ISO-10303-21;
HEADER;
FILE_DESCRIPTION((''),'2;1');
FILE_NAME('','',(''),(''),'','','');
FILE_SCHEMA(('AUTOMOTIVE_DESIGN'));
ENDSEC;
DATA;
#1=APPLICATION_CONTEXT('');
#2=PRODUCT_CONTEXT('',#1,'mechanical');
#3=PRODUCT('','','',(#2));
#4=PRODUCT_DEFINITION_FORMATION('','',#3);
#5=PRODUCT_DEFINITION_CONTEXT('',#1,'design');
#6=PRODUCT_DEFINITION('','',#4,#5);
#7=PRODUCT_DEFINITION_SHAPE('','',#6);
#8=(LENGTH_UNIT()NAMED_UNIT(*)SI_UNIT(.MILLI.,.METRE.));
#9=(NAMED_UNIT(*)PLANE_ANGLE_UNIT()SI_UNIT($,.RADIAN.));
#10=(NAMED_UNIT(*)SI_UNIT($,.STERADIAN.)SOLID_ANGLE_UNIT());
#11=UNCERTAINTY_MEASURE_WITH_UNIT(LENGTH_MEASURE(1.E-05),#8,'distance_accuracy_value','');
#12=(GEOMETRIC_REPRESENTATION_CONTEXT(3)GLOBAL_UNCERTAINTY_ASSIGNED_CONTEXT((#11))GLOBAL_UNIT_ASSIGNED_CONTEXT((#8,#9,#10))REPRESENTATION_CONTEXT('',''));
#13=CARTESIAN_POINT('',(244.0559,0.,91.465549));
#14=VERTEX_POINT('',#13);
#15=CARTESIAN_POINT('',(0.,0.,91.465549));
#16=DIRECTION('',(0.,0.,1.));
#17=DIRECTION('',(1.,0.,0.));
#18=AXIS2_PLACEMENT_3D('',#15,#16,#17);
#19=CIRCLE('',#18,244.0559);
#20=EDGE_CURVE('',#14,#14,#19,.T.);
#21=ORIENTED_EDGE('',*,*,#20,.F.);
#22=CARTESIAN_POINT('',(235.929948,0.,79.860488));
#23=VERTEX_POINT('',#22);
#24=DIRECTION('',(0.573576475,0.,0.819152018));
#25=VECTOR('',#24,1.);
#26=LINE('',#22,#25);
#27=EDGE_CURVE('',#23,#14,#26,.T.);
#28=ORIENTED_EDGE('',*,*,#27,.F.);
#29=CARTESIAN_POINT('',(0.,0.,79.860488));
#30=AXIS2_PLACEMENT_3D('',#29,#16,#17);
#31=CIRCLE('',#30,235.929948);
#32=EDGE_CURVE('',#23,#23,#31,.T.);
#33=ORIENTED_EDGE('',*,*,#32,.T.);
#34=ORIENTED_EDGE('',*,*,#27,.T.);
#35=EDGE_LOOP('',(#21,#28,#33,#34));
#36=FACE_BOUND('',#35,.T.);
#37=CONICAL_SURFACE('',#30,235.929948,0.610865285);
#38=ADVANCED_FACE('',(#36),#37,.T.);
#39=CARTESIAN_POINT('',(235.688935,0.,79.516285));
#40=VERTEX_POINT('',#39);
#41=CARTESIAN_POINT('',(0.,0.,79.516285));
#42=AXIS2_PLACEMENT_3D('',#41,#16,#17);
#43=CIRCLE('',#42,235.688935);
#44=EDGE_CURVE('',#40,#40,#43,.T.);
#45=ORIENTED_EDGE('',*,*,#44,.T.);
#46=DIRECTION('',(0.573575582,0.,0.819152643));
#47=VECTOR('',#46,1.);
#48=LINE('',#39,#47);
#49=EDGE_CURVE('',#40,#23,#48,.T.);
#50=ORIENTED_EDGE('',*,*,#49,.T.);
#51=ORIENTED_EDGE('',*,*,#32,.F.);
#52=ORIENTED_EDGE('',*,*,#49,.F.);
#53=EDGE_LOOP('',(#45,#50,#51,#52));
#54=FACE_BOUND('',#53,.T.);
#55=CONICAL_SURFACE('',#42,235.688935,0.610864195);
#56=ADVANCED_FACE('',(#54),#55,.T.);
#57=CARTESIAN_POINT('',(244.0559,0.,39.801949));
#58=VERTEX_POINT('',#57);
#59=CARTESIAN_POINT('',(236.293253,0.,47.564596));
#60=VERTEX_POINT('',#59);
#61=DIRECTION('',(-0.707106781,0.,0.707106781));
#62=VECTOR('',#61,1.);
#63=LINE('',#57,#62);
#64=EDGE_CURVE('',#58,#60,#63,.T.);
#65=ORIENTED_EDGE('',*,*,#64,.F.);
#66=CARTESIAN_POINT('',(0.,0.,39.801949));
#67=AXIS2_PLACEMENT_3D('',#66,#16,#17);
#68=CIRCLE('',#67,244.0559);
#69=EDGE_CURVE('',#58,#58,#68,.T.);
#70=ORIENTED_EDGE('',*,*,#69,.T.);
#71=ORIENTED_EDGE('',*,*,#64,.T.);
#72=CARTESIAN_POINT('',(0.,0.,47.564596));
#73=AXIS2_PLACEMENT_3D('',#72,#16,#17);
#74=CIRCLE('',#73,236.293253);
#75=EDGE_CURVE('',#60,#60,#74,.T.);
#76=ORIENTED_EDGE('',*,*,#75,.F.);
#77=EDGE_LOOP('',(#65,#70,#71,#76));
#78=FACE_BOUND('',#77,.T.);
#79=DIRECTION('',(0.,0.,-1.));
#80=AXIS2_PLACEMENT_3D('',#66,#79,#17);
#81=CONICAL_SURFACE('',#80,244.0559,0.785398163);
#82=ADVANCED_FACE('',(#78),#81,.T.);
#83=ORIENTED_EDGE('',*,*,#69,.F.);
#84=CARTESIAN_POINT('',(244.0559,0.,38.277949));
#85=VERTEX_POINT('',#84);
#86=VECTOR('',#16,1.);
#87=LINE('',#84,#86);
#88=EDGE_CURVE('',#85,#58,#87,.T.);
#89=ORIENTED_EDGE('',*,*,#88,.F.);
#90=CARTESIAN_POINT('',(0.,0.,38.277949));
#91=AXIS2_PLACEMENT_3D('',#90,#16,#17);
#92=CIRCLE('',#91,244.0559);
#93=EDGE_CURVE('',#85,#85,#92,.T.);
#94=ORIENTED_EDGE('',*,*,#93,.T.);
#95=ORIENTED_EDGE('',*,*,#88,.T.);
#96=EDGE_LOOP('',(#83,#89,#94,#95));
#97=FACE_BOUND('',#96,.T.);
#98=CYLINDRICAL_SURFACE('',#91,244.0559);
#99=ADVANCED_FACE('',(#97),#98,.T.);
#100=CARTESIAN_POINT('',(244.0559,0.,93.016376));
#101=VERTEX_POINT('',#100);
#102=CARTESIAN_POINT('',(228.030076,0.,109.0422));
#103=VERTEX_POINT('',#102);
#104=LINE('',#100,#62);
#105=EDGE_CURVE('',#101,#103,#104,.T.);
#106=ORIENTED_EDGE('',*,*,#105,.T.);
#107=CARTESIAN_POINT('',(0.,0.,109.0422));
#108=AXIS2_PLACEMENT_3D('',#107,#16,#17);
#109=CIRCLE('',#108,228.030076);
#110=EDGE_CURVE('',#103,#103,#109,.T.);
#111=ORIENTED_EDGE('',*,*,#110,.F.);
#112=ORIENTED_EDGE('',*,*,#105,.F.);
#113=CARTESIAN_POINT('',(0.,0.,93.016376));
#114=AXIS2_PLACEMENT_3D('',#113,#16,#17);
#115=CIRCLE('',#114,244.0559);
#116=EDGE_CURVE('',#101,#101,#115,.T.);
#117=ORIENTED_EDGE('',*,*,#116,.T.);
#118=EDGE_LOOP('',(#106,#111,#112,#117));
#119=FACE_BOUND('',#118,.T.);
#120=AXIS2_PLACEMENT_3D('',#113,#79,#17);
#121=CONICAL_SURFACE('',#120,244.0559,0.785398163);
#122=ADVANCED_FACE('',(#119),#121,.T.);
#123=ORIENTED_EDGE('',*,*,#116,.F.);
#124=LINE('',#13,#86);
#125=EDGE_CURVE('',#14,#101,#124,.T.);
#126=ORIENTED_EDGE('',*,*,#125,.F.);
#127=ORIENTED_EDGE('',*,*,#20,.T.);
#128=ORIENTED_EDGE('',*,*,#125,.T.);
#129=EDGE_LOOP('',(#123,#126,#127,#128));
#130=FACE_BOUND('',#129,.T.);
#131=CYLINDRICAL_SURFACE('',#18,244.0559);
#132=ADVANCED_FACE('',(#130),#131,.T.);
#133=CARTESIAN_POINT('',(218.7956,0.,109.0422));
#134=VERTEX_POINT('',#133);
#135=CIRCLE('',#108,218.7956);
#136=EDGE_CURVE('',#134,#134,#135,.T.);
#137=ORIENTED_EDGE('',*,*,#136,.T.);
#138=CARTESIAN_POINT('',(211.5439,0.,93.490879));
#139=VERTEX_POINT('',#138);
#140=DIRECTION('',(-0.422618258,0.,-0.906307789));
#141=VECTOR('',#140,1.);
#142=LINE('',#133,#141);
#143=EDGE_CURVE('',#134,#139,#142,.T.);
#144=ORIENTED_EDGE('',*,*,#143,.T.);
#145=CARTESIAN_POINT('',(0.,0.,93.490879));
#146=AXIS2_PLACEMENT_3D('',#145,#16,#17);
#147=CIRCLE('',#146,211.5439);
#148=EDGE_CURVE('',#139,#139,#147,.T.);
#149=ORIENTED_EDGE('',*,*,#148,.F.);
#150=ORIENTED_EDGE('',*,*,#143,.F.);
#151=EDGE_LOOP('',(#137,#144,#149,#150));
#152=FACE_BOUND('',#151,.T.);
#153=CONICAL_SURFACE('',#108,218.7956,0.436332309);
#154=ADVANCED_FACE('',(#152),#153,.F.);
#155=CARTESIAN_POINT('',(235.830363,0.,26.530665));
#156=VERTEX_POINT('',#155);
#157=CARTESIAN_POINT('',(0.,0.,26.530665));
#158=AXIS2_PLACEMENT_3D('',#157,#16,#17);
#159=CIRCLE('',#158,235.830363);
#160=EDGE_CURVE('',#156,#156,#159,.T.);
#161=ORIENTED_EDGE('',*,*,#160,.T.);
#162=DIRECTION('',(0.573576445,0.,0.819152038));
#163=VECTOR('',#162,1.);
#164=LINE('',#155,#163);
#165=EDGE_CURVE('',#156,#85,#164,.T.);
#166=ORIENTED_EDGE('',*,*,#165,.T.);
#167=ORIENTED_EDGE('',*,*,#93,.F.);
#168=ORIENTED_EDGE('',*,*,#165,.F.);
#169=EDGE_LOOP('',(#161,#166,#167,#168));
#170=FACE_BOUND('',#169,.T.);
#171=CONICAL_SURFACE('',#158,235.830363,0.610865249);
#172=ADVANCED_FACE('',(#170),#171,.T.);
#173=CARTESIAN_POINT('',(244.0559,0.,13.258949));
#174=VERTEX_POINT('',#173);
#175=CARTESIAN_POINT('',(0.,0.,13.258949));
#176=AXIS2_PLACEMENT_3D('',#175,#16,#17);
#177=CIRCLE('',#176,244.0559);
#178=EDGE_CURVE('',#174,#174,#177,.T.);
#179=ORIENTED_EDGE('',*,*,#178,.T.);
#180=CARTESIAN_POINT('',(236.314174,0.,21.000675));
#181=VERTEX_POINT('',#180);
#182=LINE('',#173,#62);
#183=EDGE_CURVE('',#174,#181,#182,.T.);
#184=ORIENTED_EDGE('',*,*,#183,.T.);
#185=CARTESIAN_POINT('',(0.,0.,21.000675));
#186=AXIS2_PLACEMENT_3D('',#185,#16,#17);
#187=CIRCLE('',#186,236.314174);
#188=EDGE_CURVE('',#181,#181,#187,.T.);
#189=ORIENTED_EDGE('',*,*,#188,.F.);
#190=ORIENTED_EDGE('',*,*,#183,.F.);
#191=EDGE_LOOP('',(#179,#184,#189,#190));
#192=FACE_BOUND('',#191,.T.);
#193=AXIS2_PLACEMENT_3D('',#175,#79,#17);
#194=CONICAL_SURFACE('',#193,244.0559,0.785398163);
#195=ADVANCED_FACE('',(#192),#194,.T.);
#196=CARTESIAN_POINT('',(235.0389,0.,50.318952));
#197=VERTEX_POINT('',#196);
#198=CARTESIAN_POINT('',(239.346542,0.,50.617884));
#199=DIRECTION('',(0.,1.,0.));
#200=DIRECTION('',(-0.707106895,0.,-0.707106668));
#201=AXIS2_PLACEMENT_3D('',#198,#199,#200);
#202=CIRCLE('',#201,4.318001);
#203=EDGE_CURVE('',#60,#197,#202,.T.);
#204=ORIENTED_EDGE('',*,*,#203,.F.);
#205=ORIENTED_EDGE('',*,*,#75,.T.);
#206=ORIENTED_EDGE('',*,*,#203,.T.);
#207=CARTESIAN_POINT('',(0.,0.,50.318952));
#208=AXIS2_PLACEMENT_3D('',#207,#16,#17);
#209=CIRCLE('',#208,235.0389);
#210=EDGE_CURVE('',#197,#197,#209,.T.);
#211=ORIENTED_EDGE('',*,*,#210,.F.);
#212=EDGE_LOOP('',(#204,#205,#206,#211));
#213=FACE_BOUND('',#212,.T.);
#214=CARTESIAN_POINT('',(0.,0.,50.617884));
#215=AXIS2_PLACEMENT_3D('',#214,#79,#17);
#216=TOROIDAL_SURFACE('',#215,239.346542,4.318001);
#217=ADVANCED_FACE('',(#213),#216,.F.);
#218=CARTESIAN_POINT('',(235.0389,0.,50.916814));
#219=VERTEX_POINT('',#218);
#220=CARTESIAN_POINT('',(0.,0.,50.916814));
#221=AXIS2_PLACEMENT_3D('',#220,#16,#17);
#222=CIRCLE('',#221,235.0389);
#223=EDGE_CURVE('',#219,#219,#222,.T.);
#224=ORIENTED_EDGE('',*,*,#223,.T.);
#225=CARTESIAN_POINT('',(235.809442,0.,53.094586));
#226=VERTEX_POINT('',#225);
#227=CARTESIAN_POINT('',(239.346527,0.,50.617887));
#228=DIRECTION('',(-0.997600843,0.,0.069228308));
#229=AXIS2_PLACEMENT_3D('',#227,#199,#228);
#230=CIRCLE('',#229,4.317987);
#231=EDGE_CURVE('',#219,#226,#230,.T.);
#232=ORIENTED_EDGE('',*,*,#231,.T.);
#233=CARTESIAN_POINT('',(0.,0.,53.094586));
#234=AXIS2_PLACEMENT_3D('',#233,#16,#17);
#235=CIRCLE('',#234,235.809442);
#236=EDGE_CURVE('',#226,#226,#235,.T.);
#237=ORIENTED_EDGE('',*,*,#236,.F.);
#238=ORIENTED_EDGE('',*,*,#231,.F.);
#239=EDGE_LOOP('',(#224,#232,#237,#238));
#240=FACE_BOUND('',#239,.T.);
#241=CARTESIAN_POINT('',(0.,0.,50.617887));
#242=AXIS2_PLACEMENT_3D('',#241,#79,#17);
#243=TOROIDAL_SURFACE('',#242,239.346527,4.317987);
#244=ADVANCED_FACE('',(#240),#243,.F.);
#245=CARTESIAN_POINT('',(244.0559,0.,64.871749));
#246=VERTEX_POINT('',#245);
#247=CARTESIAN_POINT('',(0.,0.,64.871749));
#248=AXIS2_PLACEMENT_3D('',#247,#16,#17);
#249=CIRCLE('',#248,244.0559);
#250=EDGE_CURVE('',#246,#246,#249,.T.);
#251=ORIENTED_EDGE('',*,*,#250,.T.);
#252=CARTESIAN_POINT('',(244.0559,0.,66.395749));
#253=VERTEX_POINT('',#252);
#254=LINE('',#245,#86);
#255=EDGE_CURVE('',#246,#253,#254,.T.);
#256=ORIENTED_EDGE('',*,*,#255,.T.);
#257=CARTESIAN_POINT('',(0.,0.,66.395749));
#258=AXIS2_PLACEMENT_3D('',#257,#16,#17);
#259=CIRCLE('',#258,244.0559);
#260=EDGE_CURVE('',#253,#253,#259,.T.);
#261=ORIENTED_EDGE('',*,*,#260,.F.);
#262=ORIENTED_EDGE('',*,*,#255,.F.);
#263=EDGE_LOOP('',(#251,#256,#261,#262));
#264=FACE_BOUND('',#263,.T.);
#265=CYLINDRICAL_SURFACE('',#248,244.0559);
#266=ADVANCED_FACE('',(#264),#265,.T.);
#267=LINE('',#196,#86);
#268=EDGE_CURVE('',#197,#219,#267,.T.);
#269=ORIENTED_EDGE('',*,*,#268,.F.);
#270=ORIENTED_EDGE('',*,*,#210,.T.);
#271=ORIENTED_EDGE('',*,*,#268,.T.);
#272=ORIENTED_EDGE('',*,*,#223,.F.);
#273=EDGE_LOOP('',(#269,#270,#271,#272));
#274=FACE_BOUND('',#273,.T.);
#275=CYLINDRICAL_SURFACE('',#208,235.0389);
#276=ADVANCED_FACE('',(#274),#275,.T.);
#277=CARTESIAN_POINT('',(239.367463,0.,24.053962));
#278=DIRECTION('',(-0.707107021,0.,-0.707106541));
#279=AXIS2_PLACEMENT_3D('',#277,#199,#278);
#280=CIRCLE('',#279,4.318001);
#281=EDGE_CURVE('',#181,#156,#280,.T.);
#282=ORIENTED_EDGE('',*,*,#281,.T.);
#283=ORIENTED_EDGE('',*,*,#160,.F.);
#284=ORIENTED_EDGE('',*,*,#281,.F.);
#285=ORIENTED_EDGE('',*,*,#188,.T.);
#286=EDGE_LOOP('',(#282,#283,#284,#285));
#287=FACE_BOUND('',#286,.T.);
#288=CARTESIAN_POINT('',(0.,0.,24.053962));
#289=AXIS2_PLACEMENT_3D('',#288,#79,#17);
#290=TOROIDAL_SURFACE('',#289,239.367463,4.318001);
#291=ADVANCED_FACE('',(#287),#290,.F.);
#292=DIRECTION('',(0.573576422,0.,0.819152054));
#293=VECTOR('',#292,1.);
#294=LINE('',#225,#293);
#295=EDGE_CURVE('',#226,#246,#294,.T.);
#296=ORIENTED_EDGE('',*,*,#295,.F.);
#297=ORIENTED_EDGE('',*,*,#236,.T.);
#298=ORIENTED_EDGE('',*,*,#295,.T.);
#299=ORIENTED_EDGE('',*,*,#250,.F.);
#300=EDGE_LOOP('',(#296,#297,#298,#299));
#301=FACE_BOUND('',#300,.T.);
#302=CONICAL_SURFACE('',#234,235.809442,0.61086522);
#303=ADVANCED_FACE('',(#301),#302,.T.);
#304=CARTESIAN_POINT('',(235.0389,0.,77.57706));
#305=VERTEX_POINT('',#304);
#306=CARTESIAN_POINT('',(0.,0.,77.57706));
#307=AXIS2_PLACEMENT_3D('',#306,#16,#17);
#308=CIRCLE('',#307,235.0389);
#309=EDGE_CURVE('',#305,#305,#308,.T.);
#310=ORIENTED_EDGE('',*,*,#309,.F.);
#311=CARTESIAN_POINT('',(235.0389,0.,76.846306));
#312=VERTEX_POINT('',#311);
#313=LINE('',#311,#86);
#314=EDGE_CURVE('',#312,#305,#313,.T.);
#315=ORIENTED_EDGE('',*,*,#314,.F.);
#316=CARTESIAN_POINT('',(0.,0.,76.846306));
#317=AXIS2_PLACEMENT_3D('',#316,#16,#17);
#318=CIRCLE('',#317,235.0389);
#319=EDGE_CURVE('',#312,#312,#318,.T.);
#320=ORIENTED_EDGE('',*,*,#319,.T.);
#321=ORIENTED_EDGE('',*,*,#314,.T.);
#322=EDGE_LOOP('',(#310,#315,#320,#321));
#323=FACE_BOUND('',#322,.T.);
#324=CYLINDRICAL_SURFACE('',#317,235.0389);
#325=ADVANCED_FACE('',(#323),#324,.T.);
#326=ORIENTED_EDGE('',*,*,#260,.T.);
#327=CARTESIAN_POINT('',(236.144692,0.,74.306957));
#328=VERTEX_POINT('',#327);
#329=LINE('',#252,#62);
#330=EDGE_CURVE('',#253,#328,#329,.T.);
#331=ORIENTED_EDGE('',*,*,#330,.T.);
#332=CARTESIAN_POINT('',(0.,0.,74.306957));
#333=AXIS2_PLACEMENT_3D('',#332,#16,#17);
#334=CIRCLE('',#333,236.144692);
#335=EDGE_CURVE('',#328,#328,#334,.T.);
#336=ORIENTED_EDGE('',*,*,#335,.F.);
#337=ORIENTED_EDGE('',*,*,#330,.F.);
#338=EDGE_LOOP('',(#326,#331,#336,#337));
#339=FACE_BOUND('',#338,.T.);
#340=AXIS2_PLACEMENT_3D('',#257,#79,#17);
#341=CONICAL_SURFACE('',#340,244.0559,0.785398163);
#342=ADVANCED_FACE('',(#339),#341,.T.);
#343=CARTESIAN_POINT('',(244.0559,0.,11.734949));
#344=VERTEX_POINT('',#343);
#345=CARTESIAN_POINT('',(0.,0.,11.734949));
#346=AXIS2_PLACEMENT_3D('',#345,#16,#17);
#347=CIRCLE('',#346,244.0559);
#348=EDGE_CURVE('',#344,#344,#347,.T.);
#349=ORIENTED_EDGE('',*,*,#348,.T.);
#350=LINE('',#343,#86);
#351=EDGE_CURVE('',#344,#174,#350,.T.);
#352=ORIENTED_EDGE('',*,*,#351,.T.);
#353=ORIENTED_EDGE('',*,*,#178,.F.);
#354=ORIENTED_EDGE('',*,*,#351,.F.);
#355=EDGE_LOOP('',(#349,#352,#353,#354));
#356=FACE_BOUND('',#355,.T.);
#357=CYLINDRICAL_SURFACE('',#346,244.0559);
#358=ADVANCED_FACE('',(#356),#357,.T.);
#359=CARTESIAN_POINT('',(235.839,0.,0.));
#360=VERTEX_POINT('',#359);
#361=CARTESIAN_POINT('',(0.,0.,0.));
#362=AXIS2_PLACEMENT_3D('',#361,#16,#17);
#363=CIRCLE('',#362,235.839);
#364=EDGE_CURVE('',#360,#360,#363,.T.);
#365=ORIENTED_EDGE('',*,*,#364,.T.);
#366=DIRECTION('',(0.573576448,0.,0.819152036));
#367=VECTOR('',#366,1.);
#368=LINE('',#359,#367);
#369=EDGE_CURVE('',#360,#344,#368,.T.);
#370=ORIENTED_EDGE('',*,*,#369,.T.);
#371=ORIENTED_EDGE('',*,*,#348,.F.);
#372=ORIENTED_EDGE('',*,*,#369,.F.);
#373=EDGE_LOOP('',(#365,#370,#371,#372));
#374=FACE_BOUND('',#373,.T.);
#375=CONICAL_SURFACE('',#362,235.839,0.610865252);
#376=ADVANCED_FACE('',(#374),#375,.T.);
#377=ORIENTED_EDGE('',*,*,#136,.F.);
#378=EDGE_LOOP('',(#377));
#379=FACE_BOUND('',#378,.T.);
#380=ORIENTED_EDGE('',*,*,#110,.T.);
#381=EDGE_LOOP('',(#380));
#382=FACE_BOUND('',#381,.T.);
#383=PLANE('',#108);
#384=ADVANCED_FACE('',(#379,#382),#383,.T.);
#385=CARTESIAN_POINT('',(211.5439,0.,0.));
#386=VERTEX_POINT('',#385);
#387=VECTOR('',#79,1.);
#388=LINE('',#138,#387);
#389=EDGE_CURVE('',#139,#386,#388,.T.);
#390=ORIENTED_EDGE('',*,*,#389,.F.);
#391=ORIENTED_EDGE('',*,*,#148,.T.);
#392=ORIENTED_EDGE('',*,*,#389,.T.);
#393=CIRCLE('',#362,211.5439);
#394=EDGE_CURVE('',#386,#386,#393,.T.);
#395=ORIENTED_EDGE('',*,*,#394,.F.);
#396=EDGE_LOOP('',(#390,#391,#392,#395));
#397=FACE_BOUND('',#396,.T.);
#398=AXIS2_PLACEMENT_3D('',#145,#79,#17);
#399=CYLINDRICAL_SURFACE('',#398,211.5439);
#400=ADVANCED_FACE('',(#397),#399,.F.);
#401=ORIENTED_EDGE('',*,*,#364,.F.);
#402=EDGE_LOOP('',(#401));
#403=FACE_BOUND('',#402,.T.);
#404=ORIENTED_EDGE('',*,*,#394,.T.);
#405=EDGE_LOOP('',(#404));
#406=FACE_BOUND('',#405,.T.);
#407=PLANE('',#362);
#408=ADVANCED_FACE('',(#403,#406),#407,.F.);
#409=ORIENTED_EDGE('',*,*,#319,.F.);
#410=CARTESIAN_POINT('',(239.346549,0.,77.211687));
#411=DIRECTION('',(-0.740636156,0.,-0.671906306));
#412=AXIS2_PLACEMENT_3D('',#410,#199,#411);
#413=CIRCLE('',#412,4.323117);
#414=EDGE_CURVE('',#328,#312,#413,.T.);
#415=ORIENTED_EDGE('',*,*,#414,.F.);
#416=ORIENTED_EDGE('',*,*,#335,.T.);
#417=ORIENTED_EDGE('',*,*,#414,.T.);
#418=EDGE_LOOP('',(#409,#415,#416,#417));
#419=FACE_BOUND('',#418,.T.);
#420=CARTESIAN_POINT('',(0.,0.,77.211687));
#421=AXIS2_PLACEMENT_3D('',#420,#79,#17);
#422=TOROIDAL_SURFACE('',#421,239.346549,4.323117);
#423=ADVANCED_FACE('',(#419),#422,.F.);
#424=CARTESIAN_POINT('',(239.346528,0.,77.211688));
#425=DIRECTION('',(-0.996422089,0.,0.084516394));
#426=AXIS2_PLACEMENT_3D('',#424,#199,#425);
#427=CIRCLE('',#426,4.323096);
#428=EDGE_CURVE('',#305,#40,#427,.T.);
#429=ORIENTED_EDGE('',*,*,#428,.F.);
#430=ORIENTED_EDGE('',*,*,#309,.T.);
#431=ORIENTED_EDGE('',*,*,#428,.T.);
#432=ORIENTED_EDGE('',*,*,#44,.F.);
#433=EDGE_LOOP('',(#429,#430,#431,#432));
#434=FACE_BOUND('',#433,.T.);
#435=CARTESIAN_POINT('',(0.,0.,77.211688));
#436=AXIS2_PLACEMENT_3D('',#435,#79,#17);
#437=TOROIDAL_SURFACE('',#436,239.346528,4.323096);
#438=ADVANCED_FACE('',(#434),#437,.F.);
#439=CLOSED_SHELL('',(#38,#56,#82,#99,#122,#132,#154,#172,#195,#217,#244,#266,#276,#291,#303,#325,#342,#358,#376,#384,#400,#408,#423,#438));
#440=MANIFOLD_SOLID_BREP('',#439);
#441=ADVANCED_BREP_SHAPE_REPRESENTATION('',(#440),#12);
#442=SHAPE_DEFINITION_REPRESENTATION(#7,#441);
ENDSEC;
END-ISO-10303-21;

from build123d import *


with BuildPart() as f1:
    # F0 (on Front) → F1 (revolve)
    with BuildSketch(Plane.XZ):
        with BuildLine():
            Line((211.5439, 93.490879), (211.5439, 0))
            Line((211.5439, 0), (235.839, 0))
            Line((235.839, 0), (244.0559, 11.734949))
            Line((244.0559, 11.734949), (244.0559, 13.258949))
            Line((244.0559, 13.258949), (236.314174, 21.000675))
            ThreePointArc((236.314174, 21.000675), (235.065893, 23.677624), (235.830363, 26.530665))
            Line((235.830363, 26.530665), (244.0559, 38.277949))
            Line((244.0559, 38.277949), (244.0559, 39.801949))
            Line((244.0559, 39.801949), (236.293253, 47.564596))
            ThreePointArc((236.293253, 47.564596), (235.416854, 48.828277), (235.0389, 50.318952))
            ThreePointArc((235.0389, 50.318952), (235.02854, 50.617883), (235.0389, 50.916814))
            ThreePointArc((235.0389, 50.916814), (235.275833, 52.058185), (235.809442, 53.094586))
            Line((235.809442, 53.094586), (244.0559, 64.871749))
            Line((244.0559, 64.871749), (244.0559, 66.395749))
            Line((244.0559, 66.395749), (236.441814, 74.009835))
            ThreePointArc((236.441814, 74.009835), (236.289641, 74.154784), (236.144692, 74.306957))
            ThreePointArc((236.144692, 74.306957), (235.382934, 75.48568), (235.0389, 76.846306))
            ThreePointArc((235.0389, 76.846306), (235.023432, 77.211683), (235.0389, 77.57706))
            ThreePointArc((235.0389, 77.57706), (235.247585, 78.585668), (235.688935, 79.516285))
            ThreePointArc((235.688935, 79.516285), (235.805257, 79.691316), (235.929948, 79.860488))
            Line((235.929948, 79.860488), (244.0559, 91.465549))
            Line((244.0559, 91.465549), (244.0559, 92.989549))
            Line((244.0559, 92.989549), (244.0559, 93.016376))
            Line((244.0559, 93.016376), (228.030076, 109.0422))
            Line((228.030076, 109.0422), (218.7956, 109.0422))
            Line((218.7956, 109.0422), (211.5439, 93.490879))
        make_face()
        with BuildLine():
            Line((235.688935, 79.516285), (235.929948, 79.860488))
            ThreePointArc((235.929948, 79.860488), (235.805257, 79.691316), (235.688935, 79.516285))
        make_face()
        with BuildLine():
            Line((235.0389, 76.846306), (235.0389, 77.57706))
            ThreePointArc((235.0389, 77.57706), (235.023432, 77.211683), (235.0389, 76.846306))
        make_face()
        with BuildLine():
            ThreePointArc((235.0389, 50.916814), (235.02854, 50.617883), (235.0389, 50.318952))
            Line((235.0389, 50.318952), (235.0389, 50.916814))
        make_face()
        with BuildLine():
            Line((236.441814, 74.009835), (236.144692, 74.306957))
            ThreePointArc((236.144692, 74.306957), (236.289641, 74.154784), (236.441814, 74.009835))
        make_face()
    revolve(axis=Axis((0, 0, 14.165604), (0, 0, 1)))


solid = f1.part
